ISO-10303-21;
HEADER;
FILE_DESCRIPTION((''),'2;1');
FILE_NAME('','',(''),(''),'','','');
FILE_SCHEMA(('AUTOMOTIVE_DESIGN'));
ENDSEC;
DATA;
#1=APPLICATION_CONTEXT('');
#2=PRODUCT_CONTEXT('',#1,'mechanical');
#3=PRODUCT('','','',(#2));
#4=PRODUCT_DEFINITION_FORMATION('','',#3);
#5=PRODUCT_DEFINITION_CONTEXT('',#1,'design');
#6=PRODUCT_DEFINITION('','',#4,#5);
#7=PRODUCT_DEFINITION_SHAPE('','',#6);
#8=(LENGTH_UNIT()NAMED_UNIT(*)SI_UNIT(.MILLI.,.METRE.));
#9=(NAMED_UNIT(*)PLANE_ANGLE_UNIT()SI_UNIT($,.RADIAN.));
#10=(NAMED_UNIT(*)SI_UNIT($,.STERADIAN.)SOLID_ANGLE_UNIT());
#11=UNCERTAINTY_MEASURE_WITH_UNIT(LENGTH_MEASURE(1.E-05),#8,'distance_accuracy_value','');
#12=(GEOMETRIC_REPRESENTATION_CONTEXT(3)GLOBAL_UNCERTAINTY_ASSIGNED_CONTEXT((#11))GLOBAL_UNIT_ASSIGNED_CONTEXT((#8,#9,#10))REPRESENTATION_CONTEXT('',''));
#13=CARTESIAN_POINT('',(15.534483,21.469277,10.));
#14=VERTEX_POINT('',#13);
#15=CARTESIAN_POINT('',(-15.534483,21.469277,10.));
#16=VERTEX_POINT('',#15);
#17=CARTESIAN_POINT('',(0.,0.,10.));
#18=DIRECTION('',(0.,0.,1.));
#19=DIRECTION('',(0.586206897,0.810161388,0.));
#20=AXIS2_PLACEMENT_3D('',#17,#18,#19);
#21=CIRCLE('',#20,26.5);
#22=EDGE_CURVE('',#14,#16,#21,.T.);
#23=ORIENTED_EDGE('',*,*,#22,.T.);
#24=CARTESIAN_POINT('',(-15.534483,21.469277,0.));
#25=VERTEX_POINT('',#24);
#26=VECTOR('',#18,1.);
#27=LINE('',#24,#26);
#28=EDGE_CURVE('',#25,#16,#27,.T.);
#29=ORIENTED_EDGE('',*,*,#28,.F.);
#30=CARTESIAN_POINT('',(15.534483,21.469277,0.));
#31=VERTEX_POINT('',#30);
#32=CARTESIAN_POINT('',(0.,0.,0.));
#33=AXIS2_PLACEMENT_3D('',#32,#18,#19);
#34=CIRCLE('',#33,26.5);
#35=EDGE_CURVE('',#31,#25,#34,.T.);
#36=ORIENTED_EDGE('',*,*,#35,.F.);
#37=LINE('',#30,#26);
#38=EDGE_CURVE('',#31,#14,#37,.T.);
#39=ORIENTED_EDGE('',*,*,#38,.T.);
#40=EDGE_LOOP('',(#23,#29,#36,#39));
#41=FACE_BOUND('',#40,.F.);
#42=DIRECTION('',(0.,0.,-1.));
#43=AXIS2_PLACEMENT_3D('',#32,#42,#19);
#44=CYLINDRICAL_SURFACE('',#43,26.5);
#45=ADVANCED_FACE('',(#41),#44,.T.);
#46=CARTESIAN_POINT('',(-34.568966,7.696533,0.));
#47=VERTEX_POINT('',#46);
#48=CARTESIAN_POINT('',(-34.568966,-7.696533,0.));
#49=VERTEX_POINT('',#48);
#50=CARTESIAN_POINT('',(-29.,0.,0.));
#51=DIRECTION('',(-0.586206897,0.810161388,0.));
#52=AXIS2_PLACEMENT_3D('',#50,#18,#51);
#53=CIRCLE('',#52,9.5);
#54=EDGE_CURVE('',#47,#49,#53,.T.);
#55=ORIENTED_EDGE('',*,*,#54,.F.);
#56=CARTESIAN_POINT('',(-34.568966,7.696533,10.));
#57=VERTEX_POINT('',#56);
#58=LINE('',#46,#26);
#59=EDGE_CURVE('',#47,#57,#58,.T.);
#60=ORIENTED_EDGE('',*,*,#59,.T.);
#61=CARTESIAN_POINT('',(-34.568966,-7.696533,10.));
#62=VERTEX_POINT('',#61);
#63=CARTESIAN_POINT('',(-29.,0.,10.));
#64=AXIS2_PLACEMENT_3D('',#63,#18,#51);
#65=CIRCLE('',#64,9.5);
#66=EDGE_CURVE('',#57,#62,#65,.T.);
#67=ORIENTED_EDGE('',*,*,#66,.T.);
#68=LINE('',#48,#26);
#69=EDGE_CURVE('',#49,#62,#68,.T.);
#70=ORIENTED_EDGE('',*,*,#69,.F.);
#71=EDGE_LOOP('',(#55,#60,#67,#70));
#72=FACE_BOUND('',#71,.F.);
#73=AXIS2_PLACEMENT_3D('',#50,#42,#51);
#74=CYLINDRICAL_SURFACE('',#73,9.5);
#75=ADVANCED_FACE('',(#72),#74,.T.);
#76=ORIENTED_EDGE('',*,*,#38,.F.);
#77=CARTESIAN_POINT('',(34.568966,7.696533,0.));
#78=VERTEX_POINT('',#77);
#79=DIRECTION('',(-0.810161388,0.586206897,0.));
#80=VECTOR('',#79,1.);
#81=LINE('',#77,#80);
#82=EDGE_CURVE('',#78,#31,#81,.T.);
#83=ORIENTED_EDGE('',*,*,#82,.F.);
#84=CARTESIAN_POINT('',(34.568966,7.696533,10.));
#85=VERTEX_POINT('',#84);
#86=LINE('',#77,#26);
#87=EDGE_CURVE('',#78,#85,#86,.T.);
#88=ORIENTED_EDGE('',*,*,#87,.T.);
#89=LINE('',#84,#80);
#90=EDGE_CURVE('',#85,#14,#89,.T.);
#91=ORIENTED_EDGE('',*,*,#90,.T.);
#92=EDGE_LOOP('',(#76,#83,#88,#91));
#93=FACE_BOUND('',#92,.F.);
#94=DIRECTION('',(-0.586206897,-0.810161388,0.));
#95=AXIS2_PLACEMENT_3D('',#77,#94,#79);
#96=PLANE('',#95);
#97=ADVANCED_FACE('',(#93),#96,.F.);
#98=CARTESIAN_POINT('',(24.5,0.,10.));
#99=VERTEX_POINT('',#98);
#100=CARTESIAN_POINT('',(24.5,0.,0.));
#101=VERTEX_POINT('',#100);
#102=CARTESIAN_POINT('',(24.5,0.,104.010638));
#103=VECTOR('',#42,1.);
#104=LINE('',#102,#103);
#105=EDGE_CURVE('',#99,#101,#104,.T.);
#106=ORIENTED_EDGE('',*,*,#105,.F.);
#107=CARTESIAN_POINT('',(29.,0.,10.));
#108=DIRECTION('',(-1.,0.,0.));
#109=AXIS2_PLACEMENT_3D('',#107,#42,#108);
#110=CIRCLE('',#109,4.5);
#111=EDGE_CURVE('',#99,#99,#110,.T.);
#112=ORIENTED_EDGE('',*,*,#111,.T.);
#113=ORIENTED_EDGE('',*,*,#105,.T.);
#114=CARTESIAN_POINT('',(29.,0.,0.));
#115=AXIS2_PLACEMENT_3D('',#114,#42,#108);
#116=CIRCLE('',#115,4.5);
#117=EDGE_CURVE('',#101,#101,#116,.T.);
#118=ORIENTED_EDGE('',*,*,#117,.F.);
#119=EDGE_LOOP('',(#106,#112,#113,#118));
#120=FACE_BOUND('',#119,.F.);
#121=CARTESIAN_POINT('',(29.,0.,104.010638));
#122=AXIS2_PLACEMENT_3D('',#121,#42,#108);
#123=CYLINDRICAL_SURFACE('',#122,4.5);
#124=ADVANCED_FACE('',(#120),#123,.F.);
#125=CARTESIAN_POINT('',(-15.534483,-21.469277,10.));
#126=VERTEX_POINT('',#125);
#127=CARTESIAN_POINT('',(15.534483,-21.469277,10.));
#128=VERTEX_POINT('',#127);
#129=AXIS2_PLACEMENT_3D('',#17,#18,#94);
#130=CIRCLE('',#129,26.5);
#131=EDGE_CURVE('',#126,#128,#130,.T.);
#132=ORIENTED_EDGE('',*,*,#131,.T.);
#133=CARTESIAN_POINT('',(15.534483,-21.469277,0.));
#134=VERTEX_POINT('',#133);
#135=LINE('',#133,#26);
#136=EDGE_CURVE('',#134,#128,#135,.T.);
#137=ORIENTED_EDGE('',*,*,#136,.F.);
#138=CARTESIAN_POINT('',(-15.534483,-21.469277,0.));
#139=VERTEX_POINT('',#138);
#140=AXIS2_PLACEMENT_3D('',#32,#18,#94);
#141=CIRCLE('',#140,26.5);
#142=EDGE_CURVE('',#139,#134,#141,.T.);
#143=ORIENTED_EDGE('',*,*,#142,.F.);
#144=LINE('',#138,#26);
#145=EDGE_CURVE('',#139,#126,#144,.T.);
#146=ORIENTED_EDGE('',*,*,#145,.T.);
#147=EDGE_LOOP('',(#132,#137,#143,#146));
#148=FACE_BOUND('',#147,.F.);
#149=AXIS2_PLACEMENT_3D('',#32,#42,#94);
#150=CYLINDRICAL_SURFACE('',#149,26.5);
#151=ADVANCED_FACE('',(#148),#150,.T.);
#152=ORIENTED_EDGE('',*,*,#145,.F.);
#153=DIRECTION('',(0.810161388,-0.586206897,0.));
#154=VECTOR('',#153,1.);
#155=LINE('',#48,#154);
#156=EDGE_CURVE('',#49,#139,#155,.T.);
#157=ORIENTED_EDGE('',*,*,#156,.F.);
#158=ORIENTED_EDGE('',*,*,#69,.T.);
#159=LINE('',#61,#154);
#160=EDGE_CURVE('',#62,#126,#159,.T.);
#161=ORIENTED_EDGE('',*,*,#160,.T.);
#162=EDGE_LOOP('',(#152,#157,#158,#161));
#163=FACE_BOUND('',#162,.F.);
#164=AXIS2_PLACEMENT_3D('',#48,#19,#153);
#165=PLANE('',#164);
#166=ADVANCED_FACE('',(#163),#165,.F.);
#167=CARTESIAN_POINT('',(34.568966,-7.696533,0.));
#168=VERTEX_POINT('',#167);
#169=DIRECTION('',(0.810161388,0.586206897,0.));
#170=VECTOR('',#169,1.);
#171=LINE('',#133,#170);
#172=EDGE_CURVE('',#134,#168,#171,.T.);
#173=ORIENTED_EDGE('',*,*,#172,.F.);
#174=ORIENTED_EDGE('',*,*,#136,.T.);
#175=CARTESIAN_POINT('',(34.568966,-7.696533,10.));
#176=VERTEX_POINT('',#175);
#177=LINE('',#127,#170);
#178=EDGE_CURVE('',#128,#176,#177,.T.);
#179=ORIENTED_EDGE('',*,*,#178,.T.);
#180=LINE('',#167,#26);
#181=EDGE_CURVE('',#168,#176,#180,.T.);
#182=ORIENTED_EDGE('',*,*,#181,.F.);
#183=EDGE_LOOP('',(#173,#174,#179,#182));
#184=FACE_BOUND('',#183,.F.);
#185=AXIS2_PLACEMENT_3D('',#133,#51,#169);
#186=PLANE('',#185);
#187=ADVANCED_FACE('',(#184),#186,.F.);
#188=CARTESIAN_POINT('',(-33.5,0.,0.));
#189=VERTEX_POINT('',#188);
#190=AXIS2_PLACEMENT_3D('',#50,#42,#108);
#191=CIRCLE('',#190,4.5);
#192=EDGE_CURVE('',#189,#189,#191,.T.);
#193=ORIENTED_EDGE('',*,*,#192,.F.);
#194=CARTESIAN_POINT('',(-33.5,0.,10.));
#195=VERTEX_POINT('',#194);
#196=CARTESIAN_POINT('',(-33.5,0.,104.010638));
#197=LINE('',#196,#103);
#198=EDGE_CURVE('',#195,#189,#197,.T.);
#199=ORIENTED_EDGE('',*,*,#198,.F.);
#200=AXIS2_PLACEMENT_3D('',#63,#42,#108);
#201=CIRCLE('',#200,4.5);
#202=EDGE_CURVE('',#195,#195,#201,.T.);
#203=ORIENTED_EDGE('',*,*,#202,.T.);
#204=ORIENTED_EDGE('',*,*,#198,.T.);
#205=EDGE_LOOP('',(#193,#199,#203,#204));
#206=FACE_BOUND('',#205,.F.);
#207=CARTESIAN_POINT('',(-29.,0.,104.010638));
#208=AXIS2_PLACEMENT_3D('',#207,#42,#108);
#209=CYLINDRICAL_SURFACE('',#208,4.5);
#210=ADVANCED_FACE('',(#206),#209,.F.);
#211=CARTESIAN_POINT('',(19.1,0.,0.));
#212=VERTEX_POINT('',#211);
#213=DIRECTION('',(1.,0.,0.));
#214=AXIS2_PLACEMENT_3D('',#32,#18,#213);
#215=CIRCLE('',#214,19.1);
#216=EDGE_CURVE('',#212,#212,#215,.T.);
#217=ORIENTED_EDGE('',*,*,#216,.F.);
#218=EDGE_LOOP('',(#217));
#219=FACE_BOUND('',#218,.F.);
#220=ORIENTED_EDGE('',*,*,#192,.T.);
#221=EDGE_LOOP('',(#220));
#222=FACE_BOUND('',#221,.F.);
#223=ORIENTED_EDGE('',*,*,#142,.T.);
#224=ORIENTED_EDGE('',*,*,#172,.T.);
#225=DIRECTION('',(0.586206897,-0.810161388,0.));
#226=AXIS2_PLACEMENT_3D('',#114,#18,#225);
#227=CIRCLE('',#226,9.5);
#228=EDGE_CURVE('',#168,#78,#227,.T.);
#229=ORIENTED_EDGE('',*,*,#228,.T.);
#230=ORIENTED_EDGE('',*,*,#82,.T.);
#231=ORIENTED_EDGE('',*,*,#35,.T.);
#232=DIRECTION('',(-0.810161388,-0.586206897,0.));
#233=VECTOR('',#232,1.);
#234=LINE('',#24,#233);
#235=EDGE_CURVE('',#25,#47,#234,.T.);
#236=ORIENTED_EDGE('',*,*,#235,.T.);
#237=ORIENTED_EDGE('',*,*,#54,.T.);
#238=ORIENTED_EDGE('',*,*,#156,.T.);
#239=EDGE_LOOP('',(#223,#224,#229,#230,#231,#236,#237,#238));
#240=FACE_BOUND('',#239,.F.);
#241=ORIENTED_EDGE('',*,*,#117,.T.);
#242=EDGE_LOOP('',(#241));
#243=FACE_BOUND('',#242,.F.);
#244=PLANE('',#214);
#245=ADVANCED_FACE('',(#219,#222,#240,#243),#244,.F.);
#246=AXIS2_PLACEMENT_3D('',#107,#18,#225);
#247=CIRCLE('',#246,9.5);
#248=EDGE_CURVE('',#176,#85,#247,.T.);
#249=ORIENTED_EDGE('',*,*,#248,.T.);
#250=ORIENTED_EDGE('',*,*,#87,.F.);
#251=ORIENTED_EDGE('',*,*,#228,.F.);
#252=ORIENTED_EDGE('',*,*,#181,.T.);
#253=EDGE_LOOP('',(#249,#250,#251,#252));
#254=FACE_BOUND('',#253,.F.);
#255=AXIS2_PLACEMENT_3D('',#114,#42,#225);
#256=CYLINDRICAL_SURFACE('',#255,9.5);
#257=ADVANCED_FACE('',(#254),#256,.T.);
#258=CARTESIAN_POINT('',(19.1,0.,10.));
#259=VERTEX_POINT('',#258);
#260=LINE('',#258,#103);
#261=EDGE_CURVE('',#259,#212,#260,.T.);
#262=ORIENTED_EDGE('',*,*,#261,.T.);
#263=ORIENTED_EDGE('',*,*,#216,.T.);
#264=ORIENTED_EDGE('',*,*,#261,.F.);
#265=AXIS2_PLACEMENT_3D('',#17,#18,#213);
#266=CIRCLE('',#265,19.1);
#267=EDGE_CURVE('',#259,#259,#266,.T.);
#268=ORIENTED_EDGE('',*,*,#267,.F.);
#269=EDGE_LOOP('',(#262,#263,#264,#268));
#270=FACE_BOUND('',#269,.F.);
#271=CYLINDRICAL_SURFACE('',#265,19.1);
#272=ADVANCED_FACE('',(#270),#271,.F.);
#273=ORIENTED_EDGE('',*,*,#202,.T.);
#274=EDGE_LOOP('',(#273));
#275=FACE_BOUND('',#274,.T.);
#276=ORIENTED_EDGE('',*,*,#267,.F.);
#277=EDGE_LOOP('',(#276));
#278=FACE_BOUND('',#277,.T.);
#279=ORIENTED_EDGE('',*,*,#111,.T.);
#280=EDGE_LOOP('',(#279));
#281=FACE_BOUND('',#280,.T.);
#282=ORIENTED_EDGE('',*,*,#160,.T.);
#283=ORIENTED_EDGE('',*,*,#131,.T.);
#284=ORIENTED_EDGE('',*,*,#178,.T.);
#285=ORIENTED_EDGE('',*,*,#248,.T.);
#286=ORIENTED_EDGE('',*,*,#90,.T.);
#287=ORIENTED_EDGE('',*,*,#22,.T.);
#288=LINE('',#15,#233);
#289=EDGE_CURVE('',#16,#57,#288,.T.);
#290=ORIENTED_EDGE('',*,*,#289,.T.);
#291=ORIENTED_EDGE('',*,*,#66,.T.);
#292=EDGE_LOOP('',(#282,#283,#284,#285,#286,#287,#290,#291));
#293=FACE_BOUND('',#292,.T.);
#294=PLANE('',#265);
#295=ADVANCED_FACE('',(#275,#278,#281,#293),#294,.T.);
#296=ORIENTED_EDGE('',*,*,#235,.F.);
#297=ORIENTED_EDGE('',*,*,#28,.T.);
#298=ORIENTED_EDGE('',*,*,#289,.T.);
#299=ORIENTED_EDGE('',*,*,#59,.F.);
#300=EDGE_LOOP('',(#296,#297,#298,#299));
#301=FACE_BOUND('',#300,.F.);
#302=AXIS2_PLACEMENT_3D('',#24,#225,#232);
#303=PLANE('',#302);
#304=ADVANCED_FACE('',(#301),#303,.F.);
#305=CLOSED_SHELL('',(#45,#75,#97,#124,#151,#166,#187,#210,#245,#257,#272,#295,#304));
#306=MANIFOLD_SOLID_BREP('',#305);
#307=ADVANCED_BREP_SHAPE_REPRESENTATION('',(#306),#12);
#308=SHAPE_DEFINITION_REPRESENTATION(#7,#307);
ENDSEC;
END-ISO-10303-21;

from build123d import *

# Parameters (mm, degrees)
F1_DEPTH = 10
F3_D     = 9
F4_R     = 19.1
F5_DEPTH = 10


with BuildPart() as f1:
    # F0 (on Top) → F1 (new body)
    with BuildSketch(Plane.XY):
        with BuildLine():
            Line((-15.5344827586, 21.4692767792), (-34.5689655172, 7.696533185))
            ThreePointArc((-34.5689655172, 7.696533185), (-38.5, 0), (-34.5689655172, -7.696533185))
            Line((-34.5689655172, -7.696533185), (-15.5344827586, -21.4692767792))
            ThreePointArc((-15.5344827586, -21.4692767792), (0, -26.5), (15.5344827586, -21.4692767792))
            Line((15.5344827586, -21.4692767792), (34.5689655172, -7.696533185))
            ThreePointArc((34.5689655172, -7.696533185), (38.5, 0), (34.5689655172, 7.696533185))
            Line((34.5689655172, 7.696533185), (15.5344827586, 21.4692767792))
            ThreePointArc((15.5344827586, 21.4692767792), (0, 26.5), (-15.5344827586, 21.4692767792))
        make_face()
    extrude(amount=F1_DEPTH)

    # F3 (through all)
    with Locations(Plane.XY.offset(10)):
        with Locations((-29, 0), (29, 0)):
            Hole(F3_D / 2)

    # F4 (on face) → F5 (cut, through all)
    with BuildSketch(Plane.XY.offset(10)):
        Circle(F4_R)
    extrude(amount=-F5_DEPTH, mode=Mode.SUBTRACT)


solid = f1.part
